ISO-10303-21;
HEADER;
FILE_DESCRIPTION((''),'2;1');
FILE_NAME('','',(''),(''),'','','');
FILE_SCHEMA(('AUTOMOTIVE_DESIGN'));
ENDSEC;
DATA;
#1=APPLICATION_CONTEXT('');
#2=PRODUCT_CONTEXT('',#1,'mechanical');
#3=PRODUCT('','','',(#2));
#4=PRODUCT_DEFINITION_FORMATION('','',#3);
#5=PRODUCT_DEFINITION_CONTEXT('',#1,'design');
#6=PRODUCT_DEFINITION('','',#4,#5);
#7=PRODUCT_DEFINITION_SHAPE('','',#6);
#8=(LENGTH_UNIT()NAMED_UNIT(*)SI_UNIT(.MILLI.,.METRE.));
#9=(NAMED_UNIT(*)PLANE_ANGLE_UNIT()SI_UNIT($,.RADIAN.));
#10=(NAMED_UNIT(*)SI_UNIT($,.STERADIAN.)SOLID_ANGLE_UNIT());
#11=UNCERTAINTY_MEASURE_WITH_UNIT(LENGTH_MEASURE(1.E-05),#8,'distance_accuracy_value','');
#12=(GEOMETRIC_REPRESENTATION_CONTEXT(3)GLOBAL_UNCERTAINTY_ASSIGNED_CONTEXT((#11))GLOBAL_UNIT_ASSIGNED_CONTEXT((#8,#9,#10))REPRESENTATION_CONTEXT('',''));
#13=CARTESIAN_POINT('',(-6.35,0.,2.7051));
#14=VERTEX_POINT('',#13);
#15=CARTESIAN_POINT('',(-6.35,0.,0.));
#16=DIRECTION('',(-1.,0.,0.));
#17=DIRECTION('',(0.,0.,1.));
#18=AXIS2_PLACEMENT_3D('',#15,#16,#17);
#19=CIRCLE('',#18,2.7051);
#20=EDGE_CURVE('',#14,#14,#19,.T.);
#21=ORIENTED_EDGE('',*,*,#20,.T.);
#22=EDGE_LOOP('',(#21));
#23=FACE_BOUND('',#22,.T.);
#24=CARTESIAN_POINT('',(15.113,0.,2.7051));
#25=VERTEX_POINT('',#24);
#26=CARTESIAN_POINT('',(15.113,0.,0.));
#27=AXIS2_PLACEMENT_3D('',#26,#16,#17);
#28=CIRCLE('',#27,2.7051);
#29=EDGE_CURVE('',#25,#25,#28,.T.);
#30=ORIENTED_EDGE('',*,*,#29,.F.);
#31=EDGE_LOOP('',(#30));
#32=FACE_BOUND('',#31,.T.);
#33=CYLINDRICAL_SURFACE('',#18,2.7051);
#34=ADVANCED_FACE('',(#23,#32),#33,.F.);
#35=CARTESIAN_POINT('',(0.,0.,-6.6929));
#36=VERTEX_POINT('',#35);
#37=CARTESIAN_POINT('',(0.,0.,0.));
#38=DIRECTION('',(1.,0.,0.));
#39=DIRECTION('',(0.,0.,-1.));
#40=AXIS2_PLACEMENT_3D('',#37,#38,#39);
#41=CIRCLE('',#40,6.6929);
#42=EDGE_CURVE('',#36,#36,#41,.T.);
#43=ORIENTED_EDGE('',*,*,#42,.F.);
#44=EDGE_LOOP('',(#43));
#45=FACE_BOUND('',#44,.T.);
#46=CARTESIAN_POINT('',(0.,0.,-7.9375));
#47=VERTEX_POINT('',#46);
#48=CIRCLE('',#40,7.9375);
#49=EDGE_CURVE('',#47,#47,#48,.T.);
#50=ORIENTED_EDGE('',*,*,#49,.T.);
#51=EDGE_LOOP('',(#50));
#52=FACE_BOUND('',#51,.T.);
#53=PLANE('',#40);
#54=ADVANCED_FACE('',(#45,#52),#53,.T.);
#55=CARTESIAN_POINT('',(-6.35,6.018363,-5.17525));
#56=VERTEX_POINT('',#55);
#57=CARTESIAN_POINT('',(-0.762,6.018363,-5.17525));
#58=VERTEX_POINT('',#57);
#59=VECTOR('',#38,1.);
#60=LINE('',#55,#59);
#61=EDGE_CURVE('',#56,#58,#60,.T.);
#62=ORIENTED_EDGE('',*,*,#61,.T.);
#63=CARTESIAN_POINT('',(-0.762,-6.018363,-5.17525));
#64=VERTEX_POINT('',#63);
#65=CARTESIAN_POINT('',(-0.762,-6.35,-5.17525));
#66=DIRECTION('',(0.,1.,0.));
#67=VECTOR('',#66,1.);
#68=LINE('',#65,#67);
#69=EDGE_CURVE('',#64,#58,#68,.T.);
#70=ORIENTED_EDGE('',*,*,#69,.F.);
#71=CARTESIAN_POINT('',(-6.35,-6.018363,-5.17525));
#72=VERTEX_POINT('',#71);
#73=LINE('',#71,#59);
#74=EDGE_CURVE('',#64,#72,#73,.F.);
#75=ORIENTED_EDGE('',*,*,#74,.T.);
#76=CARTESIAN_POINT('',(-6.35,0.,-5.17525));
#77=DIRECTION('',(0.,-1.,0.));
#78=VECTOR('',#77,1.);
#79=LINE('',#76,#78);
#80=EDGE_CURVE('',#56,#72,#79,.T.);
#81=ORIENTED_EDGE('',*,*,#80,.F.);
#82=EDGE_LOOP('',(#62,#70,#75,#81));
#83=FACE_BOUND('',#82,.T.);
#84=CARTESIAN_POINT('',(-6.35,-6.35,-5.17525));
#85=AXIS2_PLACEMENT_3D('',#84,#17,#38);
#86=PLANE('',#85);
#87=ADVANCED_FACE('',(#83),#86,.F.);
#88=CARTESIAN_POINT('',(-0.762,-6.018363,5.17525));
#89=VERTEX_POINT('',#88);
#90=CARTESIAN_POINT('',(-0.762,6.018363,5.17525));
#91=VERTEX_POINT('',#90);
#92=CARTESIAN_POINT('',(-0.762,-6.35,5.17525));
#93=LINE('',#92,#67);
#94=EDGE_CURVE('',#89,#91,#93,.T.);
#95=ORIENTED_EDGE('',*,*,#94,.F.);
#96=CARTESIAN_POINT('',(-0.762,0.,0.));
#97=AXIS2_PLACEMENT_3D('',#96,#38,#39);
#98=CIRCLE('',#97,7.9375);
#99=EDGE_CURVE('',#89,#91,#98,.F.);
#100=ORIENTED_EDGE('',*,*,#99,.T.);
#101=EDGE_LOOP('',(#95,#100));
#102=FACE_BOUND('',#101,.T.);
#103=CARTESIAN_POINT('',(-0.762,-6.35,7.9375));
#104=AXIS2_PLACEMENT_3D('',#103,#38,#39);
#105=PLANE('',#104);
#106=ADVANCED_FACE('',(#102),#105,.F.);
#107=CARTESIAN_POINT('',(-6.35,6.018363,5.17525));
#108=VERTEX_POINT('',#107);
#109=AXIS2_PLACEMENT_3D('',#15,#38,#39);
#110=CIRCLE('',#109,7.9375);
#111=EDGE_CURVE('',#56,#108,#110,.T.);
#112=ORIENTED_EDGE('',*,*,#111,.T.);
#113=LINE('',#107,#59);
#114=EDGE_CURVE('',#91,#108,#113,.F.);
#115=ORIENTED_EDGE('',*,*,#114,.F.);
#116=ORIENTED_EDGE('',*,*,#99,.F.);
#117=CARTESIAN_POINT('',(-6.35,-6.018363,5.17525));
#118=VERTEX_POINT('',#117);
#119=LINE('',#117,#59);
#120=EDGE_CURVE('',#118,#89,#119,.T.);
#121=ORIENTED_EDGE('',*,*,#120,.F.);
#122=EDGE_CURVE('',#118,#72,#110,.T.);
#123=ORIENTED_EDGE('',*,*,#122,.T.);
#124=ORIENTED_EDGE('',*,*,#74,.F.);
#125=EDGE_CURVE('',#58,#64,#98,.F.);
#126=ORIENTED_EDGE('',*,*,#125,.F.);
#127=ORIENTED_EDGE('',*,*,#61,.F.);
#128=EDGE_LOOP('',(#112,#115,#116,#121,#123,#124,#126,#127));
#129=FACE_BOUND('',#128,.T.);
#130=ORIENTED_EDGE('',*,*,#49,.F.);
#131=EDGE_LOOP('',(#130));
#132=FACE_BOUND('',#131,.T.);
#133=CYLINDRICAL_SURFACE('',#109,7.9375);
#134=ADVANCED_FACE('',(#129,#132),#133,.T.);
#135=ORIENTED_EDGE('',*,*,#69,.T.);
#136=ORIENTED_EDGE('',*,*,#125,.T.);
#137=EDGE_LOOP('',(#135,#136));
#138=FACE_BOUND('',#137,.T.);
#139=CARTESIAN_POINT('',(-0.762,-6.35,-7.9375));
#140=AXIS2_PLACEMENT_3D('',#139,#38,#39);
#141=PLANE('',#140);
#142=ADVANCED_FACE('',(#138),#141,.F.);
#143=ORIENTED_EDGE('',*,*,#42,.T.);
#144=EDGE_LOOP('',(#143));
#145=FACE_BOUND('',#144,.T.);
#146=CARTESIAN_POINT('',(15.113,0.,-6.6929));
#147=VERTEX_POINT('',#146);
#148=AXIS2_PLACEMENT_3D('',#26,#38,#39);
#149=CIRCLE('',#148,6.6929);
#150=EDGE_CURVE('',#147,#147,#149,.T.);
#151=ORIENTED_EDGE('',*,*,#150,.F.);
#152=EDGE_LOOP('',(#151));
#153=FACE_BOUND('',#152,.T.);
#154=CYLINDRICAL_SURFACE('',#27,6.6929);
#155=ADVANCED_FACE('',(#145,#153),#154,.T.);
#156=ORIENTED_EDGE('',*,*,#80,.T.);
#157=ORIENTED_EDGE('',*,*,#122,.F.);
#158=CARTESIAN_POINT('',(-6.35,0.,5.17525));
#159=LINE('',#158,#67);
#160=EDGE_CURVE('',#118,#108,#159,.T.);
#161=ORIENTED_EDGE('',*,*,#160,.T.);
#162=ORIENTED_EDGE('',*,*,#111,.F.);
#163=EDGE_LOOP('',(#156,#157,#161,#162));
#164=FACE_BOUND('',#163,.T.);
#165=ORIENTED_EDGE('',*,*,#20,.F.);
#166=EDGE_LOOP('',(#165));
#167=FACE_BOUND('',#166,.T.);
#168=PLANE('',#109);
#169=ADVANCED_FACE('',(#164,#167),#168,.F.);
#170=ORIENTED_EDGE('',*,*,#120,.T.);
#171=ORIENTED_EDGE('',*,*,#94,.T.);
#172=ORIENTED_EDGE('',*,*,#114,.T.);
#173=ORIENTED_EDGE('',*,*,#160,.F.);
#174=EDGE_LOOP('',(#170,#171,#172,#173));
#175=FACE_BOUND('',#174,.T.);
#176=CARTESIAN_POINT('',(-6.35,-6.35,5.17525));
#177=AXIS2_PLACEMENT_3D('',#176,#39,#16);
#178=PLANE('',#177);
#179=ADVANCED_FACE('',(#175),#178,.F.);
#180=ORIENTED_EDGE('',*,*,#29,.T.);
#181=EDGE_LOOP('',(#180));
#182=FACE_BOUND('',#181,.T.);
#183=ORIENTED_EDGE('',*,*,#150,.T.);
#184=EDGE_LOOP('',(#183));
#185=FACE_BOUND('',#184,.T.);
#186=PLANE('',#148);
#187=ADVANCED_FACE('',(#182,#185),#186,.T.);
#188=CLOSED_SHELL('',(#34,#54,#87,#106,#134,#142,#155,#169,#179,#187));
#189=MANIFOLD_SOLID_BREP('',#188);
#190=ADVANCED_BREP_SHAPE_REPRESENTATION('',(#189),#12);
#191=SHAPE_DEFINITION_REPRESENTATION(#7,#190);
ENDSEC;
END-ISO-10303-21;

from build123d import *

# Parameters (mm, degrees)
SKETCH2_R               = 7.9375
BOSS_EXTRUDE1_DEPTH     = 6.35
SKETCH3_R               = 6.6929
BOSS_EXTRUDE2_DEPTH     = 15.113
SKETCH4_W               = 5.588
SKETCH4_H               = 2.76225
CUT_EXTRUDE1_DEPTH      = 6.35
F_1_4_28_TAPPED_HOLE1_D = 5.4102


with BuildPart() as part:
    # Sketch2 → Boss-Extrude1 (new body)
    with BuildSketch(Plane(origin=(0, 0, 0), x_dir=(0, 0, -1), z_dir=(1, 0, 0))):
        Circle(SKETCH2_R)
    extrude(amount=-BOSS_EXTRUDE1_DEPTH)

    # Sketch3 → Boss-Extrude2 (add)
    with BuildSketch(Plane(origin=(0, 0, 0), x_dir=(0, 0, -1), z_dir=(1, 0, 0))):
        Circle(SKETCH3_R)
    extrude(amount=BOSS_EXTRUDE2_DEPTH)

    # Sketch4 → Cut-Extrude1 (cut, symmetric)
    with BuildSketch(Plane(origin=(0, 0, 0), x_dir=(1, 0, 0), z_dir=(0, 1, 0))):
        with Locations((-3.556, 6.556375)):
            Rectangle(SKETCH4_W, SKETCH4_H)
        with Locations((-3.556, -6.556375)):
            Rectangle(SKETCH4_W, SKETCH4_H)
    extrude(amount=CUT_EXTRUDE1_DEPTH, both=True, mode=Mode.SUBTRACT)

    # 1/4-28 Tapped Hole1 (through all)
    with Locations(Plane(origin=(-6.35, 0, 0), x_dir=(0, 0, -1), z_dir=(-1, 0, 0))):
        with Locations((0, 0)):
            Hole(F_1_4_28_TAPPED_HOLE1_D / 2)


solid = part.part
